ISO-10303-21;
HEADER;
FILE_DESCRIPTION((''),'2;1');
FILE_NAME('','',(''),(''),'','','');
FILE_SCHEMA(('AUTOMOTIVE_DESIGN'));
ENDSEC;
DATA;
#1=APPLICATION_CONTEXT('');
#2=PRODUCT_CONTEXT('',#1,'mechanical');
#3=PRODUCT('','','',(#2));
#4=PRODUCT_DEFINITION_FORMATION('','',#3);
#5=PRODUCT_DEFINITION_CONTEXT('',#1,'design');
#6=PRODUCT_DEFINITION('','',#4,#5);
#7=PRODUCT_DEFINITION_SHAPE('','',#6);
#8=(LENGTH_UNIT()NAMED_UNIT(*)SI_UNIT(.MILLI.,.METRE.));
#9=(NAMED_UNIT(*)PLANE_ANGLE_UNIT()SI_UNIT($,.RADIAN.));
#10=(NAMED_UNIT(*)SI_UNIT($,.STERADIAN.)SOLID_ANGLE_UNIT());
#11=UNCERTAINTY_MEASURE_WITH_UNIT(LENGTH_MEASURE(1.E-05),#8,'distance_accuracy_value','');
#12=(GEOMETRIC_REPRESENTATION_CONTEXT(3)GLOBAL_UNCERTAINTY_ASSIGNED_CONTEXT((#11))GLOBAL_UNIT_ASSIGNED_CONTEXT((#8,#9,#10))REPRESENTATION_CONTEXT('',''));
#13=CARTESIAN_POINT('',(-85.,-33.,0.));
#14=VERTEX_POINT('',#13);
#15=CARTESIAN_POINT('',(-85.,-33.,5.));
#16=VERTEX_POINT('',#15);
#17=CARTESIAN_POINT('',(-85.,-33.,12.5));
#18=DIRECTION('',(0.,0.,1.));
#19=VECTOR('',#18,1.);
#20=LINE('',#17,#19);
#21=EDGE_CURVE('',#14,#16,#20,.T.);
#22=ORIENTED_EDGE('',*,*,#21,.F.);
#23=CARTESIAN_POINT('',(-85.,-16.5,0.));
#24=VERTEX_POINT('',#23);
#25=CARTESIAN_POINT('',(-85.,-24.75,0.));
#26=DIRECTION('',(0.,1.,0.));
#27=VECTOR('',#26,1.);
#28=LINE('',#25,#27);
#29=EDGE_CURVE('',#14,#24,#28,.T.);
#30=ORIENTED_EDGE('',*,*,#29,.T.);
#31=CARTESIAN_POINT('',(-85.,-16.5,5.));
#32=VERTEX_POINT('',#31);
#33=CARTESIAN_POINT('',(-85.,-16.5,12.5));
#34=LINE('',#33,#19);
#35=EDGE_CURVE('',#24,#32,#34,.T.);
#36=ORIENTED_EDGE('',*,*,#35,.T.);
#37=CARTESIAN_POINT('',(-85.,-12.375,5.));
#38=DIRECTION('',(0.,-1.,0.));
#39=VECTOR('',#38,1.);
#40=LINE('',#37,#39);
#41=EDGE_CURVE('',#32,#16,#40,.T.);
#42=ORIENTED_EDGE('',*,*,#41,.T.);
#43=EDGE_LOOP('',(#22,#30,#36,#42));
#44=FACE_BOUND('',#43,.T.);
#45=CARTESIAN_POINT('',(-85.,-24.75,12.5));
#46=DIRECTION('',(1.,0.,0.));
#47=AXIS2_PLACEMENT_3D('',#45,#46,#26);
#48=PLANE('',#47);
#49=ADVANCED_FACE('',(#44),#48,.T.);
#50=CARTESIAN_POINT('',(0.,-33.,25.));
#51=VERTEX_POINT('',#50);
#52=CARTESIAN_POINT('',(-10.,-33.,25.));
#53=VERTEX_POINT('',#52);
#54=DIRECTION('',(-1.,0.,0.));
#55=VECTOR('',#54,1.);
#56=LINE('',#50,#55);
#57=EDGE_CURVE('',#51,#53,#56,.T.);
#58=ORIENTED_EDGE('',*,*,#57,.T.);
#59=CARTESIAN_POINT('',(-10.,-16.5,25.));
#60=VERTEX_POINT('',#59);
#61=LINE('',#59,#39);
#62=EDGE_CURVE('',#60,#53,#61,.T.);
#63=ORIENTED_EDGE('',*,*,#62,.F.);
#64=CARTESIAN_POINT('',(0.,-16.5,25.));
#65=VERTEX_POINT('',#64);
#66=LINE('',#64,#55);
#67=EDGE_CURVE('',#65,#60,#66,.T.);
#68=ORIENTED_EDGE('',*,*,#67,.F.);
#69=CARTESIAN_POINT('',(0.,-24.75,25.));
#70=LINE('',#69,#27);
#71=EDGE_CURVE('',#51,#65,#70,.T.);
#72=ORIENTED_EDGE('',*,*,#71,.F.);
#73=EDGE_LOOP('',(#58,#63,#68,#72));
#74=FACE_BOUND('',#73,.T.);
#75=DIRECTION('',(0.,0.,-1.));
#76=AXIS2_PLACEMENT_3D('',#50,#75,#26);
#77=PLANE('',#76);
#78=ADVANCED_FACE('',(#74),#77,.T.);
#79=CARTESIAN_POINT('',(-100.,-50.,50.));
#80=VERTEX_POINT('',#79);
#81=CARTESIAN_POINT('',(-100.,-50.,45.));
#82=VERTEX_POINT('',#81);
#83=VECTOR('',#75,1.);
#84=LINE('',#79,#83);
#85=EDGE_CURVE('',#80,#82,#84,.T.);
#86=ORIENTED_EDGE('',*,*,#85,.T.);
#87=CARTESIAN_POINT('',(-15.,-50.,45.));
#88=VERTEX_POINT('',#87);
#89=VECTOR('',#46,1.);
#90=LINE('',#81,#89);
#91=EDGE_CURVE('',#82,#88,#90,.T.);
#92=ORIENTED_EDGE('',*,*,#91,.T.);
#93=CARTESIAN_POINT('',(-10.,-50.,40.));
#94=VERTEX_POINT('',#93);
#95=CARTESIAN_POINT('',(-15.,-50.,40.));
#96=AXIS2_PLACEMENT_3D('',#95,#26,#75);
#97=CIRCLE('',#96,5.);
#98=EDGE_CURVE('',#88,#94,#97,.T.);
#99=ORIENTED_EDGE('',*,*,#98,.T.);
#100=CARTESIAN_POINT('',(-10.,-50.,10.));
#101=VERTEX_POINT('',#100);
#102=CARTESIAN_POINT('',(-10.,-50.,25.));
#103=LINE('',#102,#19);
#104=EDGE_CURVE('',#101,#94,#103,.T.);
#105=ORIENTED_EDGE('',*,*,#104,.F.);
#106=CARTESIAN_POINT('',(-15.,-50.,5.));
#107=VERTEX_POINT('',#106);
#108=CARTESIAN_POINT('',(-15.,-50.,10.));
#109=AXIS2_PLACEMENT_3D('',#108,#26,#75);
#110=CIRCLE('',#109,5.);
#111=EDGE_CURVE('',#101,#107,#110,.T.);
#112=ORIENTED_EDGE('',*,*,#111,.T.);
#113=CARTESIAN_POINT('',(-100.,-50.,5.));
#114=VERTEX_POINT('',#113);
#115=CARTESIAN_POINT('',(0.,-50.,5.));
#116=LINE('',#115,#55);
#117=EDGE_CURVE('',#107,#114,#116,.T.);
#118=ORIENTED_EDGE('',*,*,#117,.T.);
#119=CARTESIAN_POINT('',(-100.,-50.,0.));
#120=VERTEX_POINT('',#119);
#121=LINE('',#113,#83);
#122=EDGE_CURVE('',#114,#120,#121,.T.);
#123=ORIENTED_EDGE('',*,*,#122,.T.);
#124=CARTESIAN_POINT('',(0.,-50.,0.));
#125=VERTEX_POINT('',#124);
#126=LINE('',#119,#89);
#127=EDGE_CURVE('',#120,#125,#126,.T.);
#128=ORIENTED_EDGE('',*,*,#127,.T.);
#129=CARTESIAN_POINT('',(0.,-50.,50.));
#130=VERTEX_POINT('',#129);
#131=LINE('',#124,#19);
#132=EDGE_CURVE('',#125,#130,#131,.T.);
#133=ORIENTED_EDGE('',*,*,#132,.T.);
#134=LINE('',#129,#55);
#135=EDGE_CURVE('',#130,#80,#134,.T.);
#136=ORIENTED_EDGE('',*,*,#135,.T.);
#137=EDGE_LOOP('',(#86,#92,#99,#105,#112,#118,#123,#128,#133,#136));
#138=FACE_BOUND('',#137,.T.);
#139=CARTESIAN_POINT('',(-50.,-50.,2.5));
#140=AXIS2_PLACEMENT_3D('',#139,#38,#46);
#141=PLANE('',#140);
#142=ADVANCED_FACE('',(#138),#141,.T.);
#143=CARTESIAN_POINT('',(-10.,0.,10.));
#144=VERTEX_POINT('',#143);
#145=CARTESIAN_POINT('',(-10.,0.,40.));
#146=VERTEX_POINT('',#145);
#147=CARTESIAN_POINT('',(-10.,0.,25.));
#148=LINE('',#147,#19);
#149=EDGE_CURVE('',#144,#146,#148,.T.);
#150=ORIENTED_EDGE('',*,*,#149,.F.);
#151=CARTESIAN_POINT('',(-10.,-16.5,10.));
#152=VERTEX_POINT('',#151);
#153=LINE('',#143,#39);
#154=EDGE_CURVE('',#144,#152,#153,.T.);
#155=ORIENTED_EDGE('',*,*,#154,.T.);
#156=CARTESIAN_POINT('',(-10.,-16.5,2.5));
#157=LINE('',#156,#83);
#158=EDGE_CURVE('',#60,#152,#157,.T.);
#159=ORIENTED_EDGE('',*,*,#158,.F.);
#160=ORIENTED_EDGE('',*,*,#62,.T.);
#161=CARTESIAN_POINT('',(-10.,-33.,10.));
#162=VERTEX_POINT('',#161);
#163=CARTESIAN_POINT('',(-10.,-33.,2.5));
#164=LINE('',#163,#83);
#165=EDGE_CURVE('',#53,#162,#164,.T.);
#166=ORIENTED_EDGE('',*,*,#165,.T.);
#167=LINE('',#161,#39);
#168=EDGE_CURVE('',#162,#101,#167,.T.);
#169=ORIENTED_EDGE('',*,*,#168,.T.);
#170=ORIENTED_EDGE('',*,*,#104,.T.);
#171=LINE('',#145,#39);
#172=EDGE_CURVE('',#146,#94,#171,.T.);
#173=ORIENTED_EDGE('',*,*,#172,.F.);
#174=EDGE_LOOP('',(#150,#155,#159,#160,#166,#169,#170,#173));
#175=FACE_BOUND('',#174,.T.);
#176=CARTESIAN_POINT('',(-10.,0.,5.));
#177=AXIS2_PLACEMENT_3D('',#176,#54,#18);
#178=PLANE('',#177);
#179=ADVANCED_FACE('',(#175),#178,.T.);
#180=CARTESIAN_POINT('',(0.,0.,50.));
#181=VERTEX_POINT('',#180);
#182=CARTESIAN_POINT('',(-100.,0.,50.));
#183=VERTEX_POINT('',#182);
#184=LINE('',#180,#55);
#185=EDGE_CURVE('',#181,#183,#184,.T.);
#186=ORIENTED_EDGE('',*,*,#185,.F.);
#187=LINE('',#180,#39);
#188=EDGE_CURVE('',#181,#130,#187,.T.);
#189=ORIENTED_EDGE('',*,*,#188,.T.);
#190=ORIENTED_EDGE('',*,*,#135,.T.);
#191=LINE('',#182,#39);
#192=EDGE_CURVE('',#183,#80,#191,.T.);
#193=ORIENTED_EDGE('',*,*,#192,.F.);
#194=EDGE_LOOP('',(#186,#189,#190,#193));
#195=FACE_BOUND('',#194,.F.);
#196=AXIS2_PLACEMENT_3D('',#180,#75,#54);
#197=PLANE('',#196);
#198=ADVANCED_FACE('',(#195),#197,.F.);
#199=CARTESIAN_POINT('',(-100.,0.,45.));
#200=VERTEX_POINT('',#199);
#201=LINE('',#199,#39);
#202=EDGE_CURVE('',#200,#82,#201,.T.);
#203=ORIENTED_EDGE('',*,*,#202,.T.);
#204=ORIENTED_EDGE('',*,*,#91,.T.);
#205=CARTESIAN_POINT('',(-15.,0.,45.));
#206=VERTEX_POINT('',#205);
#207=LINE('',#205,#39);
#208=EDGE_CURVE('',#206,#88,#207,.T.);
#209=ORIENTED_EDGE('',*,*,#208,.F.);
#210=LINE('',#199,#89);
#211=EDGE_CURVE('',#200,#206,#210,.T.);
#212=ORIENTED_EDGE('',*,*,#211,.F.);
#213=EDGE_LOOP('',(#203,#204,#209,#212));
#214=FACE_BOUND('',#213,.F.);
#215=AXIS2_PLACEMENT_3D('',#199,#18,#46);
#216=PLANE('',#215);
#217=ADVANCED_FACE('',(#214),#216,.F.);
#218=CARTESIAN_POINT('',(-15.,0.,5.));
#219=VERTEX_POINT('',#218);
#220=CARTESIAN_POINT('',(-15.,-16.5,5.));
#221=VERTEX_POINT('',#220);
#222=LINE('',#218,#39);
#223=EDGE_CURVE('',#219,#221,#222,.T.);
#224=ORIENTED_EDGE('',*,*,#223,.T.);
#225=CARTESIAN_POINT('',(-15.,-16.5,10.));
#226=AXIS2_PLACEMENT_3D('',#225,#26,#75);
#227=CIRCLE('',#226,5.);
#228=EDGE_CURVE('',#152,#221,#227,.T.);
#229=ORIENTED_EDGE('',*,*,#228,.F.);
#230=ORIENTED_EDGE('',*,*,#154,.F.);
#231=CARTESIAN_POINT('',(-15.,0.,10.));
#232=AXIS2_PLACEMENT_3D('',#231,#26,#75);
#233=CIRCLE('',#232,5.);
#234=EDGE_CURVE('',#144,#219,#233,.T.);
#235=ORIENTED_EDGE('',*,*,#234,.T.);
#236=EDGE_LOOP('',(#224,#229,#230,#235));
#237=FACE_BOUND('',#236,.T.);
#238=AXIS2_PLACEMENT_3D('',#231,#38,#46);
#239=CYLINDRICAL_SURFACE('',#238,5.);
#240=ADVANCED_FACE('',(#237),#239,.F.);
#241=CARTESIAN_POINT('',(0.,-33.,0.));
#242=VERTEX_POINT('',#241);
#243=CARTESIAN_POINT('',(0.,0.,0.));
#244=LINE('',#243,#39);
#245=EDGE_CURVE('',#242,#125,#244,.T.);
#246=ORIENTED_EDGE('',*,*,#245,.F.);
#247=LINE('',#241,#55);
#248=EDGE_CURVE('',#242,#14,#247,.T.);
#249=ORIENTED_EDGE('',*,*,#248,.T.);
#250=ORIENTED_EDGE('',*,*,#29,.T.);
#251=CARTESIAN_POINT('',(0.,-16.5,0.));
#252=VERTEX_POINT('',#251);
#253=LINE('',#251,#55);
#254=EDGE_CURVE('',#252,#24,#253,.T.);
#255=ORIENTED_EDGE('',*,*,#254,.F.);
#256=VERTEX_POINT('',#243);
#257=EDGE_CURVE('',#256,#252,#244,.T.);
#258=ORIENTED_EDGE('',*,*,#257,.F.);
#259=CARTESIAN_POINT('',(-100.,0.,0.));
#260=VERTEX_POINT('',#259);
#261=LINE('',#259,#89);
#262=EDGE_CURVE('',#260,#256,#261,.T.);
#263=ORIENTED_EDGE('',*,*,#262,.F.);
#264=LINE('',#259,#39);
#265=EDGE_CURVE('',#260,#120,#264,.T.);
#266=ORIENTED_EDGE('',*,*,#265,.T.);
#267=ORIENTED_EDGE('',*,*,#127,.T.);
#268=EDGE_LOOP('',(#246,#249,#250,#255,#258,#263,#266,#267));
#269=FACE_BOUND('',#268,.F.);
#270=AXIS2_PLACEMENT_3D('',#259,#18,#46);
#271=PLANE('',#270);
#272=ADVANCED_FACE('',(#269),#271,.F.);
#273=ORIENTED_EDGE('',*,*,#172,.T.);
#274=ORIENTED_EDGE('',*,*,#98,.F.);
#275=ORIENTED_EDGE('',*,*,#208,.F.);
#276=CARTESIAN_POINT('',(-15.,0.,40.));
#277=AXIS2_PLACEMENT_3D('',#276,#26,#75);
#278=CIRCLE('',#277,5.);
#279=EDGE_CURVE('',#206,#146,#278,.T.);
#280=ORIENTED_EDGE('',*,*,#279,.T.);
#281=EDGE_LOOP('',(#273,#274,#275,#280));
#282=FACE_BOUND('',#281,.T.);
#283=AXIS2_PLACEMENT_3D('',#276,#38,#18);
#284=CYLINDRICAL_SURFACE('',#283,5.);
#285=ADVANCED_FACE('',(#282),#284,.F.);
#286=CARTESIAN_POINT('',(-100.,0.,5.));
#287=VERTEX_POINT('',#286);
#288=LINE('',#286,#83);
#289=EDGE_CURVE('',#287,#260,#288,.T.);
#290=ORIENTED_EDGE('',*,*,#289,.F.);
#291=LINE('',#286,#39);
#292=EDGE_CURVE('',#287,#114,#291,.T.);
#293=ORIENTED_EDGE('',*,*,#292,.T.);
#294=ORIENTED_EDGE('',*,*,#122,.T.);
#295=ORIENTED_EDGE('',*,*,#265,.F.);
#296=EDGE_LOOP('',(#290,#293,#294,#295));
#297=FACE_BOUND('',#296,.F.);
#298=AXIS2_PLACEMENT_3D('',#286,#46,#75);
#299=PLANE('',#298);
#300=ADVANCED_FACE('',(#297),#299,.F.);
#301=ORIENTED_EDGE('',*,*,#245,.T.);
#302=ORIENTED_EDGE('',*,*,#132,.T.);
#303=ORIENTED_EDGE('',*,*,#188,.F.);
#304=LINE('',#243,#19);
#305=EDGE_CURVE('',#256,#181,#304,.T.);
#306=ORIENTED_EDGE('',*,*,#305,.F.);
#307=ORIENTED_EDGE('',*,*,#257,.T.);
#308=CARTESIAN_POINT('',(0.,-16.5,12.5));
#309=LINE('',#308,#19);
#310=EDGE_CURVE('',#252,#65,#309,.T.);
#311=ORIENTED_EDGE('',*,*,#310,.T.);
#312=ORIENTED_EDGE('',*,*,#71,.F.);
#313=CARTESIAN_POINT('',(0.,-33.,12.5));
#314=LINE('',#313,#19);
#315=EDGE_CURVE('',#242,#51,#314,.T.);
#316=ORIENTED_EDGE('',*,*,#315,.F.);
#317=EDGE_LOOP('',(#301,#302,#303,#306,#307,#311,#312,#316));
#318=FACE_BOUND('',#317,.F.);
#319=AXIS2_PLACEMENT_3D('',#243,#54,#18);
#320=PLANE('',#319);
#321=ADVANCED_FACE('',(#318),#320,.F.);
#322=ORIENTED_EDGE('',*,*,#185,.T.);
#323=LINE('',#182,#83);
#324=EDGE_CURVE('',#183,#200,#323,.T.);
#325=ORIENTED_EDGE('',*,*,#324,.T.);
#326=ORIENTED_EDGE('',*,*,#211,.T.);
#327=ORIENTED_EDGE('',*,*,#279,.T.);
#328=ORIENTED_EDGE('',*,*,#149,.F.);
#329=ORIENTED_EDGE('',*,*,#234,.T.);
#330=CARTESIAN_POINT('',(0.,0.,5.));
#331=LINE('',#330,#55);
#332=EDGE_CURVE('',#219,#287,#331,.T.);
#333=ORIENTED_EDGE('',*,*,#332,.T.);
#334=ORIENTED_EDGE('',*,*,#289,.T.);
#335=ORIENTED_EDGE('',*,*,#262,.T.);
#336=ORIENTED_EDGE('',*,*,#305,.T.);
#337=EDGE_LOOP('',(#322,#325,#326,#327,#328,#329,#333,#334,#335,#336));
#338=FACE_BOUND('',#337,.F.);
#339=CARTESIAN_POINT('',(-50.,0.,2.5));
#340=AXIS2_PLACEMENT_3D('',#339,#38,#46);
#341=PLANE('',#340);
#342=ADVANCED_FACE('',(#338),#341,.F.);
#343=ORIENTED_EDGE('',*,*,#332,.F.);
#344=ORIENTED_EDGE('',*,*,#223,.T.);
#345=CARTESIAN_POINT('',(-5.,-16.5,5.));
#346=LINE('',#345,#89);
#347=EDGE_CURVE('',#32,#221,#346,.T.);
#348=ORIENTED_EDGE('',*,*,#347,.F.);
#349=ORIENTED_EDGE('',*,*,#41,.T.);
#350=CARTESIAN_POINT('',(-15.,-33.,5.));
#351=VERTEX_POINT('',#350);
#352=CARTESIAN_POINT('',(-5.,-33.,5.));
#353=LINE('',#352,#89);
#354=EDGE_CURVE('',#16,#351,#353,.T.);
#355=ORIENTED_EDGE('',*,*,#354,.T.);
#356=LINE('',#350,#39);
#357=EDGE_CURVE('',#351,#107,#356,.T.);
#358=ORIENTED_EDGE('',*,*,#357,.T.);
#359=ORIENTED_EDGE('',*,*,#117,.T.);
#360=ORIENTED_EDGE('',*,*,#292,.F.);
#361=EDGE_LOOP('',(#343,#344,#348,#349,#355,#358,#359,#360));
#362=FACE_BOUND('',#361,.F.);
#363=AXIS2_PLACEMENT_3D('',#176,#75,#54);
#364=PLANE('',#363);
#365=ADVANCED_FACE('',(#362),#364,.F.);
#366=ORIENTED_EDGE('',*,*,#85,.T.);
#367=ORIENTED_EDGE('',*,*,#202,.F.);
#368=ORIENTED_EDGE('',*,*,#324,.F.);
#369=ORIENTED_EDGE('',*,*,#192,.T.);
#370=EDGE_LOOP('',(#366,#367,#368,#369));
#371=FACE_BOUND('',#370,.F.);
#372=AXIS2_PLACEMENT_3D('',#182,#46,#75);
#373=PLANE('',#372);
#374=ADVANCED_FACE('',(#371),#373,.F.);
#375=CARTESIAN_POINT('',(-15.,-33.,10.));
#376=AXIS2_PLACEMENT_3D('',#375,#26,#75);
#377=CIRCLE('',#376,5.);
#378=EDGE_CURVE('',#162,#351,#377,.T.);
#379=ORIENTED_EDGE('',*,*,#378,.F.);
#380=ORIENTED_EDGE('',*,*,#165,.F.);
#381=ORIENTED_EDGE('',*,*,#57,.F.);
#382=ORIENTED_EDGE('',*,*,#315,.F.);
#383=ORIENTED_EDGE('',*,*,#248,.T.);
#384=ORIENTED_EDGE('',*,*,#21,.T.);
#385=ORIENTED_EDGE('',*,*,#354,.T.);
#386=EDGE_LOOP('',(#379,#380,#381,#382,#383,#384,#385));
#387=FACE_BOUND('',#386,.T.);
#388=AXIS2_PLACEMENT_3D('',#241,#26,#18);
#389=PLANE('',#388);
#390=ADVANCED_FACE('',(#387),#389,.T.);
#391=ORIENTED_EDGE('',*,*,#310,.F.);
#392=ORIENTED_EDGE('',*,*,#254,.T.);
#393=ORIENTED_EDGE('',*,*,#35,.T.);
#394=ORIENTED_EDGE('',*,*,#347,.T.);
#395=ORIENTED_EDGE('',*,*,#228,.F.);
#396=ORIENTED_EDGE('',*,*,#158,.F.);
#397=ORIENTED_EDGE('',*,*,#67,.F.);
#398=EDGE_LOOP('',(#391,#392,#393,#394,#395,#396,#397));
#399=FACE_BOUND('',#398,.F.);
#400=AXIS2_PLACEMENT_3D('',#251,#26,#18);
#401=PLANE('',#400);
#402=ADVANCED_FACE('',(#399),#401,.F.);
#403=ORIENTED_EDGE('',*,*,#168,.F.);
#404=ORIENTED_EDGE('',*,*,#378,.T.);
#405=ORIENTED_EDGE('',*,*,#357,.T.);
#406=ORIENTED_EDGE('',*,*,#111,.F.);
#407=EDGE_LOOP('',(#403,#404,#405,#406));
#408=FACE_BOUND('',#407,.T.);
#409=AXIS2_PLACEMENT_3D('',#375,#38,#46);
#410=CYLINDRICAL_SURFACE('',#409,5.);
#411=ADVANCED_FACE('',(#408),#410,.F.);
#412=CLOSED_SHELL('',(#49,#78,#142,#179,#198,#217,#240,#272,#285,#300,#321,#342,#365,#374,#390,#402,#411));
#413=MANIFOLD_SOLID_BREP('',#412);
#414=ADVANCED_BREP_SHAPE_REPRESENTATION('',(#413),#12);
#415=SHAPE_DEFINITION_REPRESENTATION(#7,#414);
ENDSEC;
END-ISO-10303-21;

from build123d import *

# Parameters (mm, degrees)
F0_W     = 10
F0_H     = 40
F1_DEPTH = 50
F2_W     = 16.5
F2_H     = 25
F3_DEPTH = 85
F4_R     = 5


with BuildPart() as f1:
    # F0 (on Front) → F1 (new body)
    with BuildSketch(Plane.XZ):
        Polygon((-100, 0), (0, 0), (0, 5), (-10, 5), (-100, 5), align=None)
        Polygon((-10, 45), (0, 45), (0, 50), (-100, 50), (-100, 45), align=None)
        with Locations((-5, 25)):
            Rectangle(F0_W, F0_H)
    extrude(amount=F1_DEPTH)

    # F2 (on Right) → F3 (cut)
    with BuildSketch(Plane.YZ):
        with Locations((-24.75, 12.5)):
            Rectangle(F2_W, F2_H)
    extrude(amount=-F3_DEPTH, mode=Mode.SUBTRACT)

    # F4
    f4_edges = [f1.edges().sort_by_distance(p)[0] for p in [
        (-10, -8.25, 5),
        (-10, -41.5, 5),
        (-10, -25, 45),
    ]]
    fillet(f4_edges, radius=F4_R)


solid = f1.part
